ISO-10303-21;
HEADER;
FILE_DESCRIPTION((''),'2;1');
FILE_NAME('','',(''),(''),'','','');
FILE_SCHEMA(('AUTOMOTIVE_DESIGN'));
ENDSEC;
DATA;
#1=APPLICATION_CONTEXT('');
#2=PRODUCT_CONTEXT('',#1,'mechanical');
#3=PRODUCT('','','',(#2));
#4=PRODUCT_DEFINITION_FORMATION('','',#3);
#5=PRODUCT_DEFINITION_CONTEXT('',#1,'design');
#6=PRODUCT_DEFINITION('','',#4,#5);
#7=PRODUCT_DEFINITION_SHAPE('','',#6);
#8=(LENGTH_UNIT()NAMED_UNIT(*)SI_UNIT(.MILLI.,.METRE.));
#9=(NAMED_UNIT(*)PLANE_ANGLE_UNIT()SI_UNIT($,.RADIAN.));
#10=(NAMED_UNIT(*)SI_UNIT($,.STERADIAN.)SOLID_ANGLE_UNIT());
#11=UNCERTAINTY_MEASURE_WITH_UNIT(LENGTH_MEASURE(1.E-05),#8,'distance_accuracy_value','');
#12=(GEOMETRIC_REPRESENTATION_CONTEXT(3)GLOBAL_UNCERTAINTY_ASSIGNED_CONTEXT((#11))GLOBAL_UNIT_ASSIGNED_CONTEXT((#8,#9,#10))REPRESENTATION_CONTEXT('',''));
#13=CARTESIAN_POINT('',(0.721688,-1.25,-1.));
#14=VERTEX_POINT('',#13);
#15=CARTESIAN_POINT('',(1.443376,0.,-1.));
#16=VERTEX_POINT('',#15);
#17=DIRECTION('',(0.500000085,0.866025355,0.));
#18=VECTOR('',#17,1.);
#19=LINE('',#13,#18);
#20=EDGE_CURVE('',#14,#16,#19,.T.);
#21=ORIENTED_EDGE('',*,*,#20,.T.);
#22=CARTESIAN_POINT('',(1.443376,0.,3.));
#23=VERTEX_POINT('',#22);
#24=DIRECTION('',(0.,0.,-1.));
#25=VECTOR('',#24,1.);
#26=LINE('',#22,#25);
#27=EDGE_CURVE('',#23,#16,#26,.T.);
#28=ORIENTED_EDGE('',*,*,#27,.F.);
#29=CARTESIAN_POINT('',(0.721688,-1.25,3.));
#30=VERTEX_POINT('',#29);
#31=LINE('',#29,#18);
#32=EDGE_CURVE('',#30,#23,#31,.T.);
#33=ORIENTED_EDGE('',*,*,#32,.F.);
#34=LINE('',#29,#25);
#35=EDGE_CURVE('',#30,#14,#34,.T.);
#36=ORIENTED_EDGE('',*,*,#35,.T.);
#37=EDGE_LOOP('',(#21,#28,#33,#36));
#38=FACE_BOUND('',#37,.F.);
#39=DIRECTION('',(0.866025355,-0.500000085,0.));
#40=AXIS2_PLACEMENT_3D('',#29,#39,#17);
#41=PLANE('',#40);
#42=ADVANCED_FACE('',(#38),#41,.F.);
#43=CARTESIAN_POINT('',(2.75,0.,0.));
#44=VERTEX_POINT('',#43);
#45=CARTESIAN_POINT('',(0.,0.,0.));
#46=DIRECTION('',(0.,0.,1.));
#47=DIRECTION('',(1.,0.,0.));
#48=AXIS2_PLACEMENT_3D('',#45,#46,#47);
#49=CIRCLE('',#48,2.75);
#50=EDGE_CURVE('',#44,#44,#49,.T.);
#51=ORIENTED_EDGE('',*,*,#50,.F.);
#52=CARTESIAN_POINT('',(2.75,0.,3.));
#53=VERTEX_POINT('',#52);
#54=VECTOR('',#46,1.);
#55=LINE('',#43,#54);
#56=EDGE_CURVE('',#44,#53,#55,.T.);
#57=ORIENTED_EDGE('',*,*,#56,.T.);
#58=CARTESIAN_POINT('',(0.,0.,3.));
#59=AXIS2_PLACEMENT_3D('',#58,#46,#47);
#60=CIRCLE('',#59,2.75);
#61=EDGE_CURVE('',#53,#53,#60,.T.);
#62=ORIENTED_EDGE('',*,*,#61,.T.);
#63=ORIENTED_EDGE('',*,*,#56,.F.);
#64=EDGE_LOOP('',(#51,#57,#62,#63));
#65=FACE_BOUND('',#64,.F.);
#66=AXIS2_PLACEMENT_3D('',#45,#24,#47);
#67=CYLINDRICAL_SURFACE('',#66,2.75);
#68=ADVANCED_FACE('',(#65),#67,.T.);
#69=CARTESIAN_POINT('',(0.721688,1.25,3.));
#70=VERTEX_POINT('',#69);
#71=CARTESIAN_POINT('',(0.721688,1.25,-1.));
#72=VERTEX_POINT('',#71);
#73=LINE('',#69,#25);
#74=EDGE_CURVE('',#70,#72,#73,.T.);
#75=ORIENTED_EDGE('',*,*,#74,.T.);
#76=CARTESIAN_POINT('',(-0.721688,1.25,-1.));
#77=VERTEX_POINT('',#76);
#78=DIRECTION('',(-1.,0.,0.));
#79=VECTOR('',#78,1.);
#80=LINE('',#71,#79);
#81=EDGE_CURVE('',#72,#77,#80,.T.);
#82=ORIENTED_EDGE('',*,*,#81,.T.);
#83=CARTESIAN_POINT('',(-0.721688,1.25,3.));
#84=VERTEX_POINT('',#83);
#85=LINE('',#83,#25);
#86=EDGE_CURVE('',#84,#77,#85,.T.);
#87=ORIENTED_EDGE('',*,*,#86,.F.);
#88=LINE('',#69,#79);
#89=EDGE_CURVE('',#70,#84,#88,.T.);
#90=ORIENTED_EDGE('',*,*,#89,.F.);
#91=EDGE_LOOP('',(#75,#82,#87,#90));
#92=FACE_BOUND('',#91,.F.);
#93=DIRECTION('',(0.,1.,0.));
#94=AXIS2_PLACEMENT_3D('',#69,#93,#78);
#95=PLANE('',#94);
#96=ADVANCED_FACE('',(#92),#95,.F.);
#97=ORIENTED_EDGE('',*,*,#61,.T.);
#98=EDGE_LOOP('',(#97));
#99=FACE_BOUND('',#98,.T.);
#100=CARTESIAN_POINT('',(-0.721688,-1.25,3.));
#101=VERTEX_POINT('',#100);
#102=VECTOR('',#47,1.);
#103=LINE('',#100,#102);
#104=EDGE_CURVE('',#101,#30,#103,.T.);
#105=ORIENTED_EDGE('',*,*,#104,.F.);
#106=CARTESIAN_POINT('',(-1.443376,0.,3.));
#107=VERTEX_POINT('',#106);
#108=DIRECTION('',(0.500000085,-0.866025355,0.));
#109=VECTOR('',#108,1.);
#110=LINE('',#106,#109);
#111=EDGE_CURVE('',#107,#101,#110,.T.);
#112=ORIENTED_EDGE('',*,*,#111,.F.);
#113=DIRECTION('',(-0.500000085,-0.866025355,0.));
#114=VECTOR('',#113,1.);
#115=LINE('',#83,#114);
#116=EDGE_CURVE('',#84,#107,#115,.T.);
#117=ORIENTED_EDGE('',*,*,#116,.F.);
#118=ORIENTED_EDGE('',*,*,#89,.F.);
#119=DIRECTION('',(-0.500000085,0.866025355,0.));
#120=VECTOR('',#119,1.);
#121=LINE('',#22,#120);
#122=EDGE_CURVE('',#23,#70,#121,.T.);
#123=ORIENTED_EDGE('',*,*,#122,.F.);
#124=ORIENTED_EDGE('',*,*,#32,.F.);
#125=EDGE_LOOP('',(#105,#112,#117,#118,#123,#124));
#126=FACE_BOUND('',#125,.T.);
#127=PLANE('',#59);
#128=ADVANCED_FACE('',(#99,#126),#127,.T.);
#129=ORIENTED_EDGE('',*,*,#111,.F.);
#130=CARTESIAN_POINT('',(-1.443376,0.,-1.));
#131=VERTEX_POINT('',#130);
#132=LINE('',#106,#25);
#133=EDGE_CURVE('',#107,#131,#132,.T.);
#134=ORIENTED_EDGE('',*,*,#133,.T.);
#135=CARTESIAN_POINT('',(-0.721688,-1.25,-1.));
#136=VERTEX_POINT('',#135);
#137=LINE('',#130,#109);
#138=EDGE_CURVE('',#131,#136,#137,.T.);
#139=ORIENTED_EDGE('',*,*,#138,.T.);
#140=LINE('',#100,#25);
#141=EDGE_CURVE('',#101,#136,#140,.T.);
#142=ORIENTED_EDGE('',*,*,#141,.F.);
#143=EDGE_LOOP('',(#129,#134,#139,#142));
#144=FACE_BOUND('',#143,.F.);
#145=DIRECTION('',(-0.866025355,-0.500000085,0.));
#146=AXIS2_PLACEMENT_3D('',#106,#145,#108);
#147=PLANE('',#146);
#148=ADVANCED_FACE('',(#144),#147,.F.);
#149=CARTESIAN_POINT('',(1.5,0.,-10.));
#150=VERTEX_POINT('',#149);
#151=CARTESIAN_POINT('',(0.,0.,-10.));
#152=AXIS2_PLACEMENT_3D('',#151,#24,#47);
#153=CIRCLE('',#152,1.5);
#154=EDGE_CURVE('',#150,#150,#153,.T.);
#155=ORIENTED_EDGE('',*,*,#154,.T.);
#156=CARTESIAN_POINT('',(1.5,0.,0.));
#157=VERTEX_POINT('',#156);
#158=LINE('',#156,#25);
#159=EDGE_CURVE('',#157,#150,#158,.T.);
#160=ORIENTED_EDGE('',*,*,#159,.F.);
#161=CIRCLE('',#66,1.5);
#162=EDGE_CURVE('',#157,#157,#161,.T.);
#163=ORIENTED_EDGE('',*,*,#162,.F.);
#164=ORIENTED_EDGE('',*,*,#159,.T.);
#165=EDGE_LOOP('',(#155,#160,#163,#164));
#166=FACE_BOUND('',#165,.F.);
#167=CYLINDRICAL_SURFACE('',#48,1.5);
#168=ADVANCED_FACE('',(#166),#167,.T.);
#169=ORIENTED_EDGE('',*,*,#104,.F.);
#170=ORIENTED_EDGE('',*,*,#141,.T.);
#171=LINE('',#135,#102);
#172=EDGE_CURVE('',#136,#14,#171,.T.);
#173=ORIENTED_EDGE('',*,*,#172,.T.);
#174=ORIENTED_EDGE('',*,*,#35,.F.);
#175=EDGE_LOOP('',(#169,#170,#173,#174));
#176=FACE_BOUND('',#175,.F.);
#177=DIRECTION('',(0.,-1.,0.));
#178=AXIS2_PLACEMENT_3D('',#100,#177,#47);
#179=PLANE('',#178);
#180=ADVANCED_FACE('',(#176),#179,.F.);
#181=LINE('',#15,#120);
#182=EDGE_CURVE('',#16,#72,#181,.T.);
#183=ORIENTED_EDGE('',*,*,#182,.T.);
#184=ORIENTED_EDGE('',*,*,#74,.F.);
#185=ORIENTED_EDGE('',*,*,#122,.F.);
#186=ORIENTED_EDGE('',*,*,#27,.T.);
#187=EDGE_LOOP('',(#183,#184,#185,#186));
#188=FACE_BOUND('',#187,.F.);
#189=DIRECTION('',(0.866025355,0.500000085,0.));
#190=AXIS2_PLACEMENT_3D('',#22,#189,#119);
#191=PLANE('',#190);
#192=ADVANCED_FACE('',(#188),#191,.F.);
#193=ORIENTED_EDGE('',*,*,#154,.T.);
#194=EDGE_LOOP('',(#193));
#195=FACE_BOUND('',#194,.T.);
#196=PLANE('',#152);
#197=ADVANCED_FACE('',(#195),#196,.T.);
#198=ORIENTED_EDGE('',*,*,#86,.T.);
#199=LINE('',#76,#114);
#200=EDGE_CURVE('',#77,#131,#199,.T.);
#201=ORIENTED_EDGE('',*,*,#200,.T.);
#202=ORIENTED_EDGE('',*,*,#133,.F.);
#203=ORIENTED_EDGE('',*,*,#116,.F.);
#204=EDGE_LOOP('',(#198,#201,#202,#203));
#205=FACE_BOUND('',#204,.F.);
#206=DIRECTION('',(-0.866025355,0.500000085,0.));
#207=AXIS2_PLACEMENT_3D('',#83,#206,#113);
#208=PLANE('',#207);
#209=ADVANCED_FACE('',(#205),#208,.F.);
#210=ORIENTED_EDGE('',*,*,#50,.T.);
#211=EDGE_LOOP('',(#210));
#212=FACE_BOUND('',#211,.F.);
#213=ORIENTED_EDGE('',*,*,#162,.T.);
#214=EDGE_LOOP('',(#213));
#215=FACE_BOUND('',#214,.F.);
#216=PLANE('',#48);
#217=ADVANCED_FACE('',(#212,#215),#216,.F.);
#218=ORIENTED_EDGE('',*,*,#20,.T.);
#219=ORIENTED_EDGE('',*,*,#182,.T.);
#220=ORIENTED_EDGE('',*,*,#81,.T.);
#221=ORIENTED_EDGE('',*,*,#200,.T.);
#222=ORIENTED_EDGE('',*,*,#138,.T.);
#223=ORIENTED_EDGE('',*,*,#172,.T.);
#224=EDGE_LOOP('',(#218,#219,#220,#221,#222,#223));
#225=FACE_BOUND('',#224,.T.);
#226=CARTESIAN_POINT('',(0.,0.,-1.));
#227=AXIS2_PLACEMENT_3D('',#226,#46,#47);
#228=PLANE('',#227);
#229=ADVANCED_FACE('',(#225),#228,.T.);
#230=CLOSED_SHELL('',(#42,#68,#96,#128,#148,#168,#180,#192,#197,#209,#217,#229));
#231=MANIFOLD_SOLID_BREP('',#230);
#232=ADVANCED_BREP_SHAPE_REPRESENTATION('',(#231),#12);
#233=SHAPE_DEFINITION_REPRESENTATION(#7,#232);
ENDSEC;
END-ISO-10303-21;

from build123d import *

# Parameters (mm, degrees)
SKETCH012_R     = 2.75
PAD007_DEPTH    = 3
SKETCH013_R     = 1.5
PAD008_DEPTH    = 10
POCKET004_DEPTH = 4


with BuildPart() as part:
    # Sketch012 → Pad007 (new body)
    with BuildSketch(Plane.XY):
        Circle(SKETCH012_R)
    extrude(amount=PAD007_DEPTH)

    # Sketch013 (on Face2 of Pad007) → Pad008 (join)
    with BuildSketch(Plane(origin=(0, 0, 0), x_dir=(1, 0, 0), z_dir=(0, 0, -1))):
        Circle(SKETCH013_R)
    extrude(amount=PAD008_DEPTH)

    # Sketch014 (on DatumPlane) → Pocket004 (cut)
    with BuildSketch(Plane.XY.offset(3)):
        Polygon((0.721688, -1.25), (1.443376, 0), (0.721688, 1.25), (-0.721688, 1.25), (-1.443376, 0), (-0.721688, -1.25), align=None)
    extrude(amount=-POCKET004_DEPTH, mode=Mode.SUBTRACT)


solid = part.part
